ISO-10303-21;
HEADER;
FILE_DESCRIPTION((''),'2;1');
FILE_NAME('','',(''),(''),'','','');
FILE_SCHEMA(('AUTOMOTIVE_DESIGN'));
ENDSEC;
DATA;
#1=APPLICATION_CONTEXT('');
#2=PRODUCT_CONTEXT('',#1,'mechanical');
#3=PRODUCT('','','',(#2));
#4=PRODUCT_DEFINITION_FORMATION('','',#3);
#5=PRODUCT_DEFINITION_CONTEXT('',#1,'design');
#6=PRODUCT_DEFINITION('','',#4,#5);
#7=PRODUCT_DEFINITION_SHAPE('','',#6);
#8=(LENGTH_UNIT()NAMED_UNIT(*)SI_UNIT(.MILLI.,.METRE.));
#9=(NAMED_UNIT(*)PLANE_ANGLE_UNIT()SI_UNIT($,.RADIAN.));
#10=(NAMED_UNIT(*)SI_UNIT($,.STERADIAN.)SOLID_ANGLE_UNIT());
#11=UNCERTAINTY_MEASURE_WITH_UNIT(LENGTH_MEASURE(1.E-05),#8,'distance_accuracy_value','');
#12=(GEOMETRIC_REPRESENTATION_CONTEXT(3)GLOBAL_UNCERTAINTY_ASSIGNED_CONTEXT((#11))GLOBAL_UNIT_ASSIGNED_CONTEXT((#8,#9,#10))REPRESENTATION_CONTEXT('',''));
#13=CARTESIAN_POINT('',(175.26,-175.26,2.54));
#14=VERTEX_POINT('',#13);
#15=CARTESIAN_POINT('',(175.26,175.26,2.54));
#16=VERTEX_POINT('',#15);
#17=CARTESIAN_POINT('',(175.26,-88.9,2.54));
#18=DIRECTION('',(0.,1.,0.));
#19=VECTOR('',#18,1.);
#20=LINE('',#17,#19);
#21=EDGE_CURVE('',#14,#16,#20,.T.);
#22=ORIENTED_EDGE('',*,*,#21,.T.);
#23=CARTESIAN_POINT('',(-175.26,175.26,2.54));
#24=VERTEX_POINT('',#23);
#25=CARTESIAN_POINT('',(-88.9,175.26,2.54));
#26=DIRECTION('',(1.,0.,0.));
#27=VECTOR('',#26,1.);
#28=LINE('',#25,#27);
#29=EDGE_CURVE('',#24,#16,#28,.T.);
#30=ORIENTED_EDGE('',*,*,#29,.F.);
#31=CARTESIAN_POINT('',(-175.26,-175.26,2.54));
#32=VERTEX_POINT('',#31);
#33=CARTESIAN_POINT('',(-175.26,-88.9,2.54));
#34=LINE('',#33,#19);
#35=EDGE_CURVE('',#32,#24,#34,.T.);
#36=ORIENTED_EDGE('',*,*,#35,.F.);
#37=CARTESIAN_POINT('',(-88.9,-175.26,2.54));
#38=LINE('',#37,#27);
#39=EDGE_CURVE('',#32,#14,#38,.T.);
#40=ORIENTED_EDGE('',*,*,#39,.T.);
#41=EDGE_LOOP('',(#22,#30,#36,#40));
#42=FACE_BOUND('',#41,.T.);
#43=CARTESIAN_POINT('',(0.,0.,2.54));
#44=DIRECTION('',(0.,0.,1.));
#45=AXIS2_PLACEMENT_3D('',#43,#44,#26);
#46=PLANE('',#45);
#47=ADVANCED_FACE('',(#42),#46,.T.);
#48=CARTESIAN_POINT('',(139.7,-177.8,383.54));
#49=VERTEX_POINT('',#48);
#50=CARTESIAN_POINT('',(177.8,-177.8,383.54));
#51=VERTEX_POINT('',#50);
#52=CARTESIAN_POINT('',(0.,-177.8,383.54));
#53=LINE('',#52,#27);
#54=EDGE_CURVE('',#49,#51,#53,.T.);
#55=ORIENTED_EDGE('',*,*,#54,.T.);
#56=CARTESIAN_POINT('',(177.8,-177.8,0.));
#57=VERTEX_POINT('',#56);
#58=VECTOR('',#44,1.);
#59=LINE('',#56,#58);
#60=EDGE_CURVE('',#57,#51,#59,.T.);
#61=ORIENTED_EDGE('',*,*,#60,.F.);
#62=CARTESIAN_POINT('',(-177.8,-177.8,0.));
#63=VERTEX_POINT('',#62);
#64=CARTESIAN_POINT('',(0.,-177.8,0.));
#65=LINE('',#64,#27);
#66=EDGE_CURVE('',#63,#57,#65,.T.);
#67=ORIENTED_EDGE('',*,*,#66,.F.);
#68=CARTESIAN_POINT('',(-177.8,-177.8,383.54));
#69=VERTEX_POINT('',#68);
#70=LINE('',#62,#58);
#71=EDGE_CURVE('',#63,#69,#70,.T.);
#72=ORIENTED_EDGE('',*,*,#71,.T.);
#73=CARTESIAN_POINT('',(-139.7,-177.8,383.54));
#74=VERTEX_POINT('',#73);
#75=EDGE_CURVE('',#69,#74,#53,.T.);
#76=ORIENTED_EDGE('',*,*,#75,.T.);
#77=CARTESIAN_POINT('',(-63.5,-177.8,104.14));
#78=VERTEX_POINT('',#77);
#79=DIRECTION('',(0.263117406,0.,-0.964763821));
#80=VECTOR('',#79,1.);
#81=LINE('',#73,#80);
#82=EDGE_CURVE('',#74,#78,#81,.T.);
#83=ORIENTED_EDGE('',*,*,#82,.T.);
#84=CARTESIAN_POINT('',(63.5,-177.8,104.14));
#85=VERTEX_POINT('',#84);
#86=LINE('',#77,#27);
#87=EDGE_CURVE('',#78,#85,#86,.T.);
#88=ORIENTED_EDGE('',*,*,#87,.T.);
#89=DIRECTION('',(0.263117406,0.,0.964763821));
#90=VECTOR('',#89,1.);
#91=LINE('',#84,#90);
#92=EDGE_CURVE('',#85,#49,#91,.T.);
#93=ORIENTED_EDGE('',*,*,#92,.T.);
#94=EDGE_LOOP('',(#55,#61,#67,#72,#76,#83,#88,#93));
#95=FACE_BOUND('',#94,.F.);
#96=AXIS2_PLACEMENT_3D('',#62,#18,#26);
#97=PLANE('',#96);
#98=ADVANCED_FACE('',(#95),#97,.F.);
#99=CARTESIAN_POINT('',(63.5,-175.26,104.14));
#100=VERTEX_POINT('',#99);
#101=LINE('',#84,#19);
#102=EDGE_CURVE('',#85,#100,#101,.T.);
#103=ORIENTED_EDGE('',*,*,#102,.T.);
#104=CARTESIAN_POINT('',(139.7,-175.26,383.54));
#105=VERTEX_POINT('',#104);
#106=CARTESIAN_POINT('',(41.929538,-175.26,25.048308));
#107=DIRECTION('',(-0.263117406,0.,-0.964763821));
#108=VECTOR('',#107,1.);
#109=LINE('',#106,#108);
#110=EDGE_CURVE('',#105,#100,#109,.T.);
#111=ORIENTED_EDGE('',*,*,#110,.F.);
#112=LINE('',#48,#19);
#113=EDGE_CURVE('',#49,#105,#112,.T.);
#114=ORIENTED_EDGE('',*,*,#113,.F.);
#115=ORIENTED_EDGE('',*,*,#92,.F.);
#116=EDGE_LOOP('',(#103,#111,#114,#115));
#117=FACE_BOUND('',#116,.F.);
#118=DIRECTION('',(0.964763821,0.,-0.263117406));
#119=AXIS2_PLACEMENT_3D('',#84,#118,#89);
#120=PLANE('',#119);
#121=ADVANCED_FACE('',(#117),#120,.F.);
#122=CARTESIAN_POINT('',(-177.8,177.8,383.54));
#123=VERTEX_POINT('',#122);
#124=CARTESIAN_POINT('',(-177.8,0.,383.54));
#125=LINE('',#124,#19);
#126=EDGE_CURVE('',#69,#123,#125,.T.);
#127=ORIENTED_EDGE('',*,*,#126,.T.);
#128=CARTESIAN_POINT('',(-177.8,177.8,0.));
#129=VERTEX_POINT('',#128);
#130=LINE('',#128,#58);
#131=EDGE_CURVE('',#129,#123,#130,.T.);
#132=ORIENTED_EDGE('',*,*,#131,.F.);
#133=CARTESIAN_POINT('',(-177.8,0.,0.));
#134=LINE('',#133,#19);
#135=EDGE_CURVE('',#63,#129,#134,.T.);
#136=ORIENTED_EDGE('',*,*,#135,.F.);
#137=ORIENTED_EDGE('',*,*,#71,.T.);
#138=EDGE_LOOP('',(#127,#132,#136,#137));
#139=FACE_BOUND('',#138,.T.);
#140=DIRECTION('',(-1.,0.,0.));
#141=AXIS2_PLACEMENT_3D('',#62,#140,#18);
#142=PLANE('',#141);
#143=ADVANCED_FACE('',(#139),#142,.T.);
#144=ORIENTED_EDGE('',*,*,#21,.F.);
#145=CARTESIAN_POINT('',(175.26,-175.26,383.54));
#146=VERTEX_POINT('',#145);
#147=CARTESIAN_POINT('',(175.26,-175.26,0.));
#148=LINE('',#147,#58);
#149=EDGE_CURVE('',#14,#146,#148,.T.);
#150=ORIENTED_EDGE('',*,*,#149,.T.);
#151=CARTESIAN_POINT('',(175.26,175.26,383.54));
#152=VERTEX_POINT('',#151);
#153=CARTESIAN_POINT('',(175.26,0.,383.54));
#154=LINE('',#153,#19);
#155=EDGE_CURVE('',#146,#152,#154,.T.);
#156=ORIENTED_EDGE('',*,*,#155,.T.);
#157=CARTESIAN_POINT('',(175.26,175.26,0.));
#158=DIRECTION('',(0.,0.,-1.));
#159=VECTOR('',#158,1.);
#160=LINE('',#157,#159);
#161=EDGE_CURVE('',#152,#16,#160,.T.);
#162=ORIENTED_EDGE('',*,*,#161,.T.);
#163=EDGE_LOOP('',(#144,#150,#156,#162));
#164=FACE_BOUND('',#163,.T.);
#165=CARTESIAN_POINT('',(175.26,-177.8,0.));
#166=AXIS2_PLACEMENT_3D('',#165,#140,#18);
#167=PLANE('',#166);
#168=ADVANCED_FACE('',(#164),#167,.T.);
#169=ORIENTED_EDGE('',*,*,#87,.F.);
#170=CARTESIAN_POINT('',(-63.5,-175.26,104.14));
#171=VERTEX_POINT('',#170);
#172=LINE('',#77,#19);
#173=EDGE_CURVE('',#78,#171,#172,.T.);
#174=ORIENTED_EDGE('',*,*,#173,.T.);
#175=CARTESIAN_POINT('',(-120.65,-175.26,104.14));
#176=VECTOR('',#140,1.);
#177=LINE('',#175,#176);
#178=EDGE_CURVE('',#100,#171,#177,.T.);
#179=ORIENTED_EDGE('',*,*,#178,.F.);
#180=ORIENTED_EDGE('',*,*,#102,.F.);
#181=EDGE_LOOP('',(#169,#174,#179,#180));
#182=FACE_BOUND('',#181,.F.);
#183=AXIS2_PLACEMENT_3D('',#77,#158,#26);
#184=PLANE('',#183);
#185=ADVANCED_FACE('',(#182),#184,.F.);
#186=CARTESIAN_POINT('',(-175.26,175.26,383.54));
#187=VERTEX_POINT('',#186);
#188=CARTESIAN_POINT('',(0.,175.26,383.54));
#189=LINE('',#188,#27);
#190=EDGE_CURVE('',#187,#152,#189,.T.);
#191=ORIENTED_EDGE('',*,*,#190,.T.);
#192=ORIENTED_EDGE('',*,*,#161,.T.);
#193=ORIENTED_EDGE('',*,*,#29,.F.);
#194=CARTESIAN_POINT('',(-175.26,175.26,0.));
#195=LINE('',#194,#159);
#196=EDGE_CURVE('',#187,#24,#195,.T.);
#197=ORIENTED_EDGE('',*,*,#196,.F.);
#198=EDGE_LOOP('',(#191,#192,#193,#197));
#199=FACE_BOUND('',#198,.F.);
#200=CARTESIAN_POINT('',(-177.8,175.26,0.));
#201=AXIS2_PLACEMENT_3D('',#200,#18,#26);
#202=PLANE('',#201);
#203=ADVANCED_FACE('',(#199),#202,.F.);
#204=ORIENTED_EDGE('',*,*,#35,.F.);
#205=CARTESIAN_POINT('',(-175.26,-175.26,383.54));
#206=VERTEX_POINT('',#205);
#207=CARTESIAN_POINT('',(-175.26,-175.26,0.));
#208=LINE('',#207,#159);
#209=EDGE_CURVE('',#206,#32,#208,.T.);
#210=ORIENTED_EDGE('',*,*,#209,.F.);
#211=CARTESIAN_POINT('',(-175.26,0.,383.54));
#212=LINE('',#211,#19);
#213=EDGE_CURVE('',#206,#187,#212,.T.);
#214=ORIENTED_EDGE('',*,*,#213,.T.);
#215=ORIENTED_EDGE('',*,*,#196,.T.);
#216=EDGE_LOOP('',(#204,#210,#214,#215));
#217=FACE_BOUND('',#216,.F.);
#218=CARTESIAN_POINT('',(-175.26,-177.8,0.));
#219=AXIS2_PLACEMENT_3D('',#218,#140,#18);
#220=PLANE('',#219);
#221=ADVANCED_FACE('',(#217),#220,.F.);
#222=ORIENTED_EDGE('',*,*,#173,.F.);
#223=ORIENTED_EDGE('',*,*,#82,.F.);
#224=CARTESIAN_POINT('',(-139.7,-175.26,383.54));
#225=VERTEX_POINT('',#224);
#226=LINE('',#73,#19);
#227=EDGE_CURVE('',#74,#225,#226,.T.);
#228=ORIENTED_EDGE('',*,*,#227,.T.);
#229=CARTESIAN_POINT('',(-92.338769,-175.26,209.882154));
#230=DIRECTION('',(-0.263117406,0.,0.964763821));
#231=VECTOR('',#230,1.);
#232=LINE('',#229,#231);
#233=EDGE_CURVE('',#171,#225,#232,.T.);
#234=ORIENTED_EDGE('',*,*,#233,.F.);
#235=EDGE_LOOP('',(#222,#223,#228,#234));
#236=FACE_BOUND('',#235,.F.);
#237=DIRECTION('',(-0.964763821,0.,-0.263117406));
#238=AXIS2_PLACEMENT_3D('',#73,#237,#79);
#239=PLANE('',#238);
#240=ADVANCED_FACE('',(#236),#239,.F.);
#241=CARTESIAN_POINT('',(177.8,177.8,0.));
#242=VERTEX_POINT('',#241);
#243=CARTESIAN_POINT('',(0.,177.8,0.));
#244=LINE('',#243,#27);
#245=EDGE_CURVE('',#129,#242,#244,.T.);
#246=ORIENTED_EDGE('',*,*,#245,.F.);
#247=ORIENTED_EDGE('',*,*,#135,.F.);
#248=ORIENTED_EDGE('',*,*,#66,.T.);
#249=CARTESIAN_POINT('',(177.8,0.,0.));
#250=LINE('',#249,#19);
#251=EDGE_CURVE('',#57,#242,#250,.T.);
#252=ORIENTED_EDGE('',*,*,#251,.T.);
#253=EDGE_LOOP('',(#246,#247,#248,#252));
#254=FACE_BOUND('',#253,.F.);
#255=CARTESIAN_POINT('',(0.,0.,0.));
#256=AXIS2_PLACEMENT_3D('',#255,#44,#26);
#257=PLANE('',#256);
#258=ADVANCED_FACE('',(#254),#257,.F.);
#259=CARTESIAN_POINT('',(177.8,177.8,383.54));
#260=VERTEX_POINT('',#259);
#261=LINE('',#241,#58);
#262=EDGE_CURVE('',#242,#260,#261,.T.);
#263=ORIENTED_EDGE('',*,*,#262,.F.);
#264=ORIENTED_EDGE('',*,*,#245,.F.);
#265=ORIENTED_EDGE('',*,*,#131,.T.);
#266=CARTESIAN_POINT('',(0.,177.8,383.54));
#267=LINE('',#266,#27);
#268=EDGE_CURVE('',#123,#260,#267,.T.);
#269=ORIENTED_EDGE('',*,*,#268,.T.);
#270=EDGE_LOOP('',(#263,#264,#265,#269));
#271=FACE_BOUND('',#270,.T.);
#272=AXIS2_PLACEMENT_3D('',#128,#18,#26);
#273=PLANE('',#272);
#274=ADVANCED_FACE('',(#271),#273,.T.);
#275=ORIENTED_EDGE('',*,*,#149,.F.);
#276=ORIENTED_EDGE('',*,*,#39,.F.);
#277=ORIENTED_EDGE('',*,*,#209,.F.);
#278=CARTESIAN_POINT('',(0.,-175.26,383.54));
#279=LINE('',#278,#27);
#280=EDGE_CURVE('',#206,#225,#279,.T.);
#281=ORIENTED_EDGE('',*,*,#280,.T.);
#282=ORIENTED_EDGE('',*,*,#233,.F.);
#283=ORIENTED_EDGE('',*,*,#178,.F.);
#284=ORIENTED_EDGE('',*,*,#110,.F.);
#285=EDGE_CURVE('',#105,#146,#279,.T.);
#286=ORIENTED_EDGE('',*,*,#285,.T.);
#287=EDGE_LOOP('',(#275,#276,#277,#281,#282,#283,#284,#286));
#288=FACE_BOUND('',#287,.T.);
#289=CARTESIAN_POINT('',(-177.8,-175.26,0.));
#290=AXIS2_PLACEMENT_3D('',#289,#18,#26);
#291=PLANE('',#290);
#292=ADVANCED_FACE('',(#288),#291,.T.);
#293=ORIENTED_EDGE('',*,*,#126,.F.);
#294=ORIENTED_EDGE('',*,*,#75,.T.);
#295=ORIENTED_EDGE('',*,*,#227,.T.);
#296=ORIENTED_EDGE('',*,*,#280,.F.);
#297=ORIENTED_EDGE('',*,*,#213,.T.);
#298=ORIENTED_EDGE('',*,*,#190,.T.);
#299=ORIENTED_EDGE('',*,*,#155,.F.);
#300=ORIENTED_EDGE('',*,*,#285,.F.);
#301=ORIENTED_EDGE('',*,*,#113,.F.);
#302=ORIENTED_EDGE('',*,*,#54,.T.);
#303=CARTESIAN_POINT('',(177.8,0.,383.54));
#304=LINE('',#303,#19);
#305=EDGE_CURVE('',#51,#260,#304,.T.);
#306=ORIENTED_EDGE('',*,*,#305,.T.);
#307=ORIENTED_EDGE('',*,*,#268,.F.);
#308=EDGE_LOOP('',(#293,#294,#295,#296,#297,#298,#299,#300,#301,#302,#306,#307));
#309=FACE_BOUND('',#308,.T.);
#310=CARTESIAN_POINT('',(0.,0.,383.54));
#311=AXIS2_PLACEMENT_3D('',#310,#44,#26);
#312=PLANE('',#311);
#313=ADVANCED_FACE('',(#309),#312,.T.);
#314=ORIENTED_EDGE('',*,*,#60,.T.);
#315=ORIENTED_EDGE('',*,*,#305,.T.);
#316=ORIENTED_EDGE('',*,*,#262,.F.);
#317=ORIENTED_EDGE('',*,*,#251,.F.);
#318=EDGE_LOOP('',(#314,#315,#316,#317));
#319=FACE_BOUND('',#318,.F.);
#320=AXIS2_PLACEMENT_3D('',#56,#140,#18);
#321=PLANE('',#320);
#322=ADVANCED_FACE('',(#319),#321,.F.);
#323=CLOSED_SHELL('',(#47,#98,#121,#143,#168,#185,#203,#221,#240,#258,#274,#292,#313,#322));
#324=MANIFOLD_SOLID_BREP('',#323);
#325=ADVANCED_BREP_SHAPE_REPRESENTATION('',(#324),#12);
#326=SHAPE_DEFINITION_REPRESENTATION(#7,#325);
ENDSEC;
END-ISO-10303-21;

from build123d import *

# Parameters (mm, degrees)
F0_W     = 355.6
F0_H     = 355.6
F1_DEPTH = 383.54
F2_T     = -2.54
F4_DEPTH = 25.4


with BuildPart() as f1:
    # F0 (on Top) → F1 (new body)
    with BuildSketch(Plane.XY):
        Rectangle(F0_W, F0_H)
    extrude(amount=F1_DEPTH)

    # F2
    f2_openings = [f1.faces().sort_by_distance(p)[0] for p in [
        (0, 0, 383.54),
    ]]
    offset(amount=F2_T, openings=f2_openings)

    # F3 (on face) → F4 (cut)
    with BuildSketch(Plane.XZ.offset(177.8)):
        Polygon((139.7, 383.54), (-139.7, 383.54), (-63.5, 104.14), (63.5, 104.14), align=None)
    extrude(amount=-F4_DEPTH, mode=Mode.SUBTRACT)


solid = f1.part
